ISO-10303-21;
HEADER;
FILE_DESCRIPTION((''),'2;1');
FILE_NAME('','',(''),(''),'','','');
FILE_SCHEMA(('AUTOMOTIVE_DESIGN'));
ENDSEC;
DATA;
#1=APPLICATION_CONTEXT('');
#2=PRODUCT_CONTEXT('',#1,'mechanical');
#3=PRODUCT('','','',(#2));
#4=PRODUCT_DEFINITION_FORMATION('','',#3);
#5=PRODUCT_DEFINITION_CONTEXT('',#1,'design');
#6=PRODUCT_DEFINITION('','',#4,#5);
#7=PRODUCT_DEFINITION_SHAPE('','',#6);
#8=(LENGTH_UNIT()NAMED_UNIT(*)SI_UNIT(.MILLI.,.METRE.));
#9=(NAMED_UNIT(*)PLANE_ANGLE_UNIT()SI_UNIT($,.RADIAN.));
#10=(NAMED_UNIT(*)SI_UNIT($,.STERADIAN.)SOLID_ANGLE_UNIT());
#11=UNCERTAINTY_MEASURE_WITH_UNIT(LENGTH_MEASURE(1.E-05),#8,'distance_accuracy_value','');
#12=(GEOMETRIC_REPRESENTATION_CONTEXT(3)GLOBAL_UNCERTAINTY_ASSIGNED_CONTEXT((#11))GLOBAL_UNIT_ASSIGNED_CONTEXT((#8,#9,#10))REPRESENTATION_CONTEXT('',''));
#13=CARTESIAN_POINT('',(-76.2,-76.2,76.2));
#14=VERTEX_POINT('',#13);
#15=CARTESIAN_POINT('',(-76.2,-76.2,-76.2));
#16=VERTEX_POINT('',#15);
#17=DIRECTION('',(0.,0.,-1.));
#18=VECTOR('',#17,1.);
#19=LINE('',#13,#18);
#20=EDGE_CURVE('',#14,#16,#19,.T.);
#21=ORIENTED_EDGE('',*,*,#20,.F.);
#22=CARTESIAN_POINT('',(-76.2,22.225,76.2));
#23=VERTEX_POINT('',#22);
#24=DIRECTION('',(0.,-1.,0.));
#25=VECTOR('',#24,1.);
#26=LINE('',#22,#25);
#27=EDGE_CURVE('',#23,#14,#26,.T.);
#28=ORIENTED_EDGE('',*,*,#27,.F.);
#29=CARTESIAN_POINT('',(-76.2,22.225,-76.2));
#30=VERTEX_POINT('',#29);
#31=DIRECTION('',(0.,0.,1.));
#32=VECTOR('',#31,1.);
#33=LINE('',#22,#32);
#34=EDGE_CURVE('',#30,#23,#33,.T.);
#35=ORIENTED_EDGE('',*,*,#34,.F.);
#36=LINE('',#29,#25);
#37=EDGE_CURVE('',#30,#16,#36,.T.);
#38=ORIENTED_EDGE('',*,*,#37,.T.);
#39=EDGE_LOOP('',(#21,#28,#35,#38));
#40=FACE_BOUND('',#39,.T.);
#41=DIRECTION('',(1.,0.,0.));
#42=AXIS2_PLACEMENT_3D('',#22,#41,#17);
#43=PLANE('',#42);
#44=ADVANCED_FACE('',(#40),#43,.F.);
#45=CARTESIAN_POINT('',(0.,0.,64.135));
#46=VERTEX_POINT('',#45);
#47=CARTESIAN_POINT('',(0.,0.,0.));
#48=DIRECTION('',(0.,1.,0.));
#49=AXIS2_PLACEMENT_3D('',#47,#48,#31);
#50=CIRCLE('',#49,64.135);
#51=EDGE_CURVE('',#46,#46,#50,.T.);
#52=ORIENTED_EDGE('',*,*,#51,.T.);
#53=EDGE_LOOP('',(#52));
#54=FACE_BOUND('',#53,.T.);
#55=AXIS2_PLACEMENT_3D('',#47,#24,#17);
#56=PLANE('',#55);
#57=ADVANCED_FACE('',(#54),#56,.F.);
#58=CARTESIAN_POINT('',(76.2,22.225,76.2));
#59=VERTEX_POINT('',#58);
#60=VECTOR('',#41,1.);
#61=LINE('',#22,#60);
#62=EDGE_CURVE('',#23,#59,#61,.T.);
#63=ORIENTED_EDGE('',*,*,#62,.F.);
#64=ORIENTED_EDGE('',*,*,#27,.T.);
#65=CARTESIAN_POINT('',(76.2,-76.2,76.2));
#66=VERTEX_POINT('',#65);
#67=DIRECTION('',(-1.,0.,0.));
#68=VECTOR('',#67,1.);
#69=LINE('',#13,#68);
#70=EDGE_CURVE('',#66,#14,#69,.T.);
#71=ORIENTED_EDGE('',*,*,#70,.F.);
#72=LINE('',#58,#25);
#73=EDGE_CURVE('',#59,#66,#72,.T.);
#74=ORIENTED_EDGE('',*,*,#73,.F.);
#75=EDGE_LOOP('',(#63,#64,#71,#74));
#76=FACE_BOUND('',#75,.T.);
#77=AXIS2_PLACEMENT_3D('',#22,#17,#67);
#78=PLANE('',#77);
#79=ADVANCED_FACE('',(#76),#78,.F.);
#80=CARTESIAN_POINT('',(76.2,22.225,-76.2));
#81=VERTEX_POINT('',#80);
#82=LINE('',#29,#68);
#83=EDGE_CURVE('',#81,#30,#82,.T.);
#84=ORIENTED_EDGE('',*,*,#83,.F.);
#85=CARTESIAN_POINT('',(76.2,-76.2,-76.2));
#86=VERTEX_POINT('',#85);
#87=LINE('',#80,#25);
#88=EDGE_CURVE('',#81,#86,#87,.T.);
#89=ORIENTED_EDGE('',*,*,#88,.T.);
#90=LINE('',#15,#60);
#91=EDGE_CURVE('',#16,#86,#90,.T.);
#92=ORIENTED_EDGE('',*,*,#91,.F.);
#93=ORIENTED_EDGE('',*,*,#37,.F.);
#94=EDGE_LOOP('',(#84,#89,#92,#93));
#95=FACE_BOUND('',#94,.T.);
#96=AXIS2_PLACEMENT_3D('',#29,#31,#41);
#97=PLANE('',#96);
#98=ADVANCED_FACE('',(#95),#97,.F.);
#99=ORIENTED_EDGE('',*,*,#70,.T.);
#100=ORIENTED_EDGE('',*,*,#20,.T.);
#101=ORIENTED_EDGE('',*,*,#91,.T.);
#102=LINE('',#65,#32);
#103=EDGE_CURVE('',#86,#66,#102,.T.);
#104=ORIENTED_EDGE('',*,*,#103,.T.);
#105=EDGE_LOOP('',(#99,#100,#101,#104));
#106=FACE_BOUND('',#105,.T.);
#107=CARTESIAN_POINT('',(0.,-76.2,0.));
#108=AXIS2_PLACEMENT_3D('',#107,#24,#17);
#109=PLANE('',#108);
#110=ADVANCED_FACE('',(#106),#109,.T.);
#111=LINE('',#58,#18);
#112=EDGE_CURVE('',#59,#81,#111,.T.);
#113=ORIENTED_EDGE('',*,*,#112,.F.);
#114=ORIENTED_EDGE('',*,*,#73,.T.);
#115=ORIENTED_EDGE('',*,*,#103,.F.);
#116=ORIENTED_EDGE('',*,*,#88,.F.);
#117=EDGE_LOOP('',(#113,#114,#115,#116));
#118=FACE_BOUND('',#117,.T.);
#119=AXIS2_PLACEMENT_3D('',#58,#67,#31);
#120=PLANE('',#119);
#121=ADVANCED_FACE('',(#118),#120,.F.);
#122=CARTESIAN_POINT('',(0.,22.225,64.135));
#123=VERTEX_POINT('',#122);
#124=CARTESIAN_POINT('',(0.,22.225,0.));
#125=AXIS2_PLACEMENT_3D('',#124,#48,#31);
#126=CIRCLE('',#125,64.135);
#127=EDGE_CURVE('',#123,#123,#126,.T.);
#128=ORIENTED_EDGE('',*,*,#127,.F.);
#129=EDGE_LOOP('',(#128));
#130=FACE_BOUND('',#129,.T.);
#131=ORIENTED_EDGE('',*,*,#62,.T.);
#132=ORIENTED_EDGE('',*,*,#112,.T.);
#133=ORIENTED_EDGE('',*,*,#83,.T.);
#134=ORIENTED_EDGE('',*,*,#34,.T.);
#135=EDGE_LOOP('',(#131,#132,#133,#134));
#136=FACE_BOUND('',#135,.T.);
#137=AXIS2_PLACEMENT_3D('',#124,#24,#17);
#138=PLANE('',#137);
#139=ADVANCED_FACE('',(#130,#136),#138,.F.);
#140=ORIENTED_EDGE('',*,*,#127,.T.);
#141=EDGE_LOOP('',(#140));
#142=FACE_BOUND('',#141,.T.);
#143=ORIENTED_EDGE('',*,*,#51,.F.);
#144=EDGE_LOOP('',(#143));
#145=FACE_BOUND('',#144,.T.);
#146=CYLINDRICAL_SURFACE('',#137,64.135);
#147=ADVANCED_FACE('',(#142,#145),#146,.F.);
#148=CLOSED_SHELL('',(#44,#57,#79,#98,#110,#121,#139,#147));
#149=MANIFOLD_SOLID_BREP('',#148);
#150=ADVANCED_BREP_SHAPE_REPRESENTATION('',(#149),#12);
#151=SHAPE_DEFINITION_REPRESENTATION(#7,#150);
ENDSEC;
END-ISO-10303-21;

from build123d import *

# Parameters (mm, degrees)
SKETCH1_W           = 152.4
SKETCH1_H           = 152.4
SKETCH1_R           = 64.135
BOSS_EXTRUDE1_DEPTH = 22.225
SKETCH2_W           = 152.4
SKETCH2_H           = 152.4
BOSS_EXTRUDE2_DEPTH = 76.2


with BuildPart() as part:
    # Sketch1 → Boss-Extrude1 (new body)
    with BuildSketch(Plane(origin=(0, 0, 0), x_dir=(1, 0, 0), z_dir=(0, 1, 0))):
        Rectangle(SKETCH1_W, SKETCH1_H)
        Circle(SKETCH1_R, mode=Mode.SUBTRACT)
    extrude(amount=BOSS_EXTRUDE1_DEPTH)

    # Sketch2 → Boss-Extrude2 (add)
    with BuildSketch(Plane(origin=(0, 0, 0), x_dir=(-1, 0, 0), z_dir=(0, -1, 0))):
        Rectangle(SKETCH2_W, SKETCH2_H)
    extrude(amount=BOSS_EXTRUDE2_DEPTH)


solid = part.part
